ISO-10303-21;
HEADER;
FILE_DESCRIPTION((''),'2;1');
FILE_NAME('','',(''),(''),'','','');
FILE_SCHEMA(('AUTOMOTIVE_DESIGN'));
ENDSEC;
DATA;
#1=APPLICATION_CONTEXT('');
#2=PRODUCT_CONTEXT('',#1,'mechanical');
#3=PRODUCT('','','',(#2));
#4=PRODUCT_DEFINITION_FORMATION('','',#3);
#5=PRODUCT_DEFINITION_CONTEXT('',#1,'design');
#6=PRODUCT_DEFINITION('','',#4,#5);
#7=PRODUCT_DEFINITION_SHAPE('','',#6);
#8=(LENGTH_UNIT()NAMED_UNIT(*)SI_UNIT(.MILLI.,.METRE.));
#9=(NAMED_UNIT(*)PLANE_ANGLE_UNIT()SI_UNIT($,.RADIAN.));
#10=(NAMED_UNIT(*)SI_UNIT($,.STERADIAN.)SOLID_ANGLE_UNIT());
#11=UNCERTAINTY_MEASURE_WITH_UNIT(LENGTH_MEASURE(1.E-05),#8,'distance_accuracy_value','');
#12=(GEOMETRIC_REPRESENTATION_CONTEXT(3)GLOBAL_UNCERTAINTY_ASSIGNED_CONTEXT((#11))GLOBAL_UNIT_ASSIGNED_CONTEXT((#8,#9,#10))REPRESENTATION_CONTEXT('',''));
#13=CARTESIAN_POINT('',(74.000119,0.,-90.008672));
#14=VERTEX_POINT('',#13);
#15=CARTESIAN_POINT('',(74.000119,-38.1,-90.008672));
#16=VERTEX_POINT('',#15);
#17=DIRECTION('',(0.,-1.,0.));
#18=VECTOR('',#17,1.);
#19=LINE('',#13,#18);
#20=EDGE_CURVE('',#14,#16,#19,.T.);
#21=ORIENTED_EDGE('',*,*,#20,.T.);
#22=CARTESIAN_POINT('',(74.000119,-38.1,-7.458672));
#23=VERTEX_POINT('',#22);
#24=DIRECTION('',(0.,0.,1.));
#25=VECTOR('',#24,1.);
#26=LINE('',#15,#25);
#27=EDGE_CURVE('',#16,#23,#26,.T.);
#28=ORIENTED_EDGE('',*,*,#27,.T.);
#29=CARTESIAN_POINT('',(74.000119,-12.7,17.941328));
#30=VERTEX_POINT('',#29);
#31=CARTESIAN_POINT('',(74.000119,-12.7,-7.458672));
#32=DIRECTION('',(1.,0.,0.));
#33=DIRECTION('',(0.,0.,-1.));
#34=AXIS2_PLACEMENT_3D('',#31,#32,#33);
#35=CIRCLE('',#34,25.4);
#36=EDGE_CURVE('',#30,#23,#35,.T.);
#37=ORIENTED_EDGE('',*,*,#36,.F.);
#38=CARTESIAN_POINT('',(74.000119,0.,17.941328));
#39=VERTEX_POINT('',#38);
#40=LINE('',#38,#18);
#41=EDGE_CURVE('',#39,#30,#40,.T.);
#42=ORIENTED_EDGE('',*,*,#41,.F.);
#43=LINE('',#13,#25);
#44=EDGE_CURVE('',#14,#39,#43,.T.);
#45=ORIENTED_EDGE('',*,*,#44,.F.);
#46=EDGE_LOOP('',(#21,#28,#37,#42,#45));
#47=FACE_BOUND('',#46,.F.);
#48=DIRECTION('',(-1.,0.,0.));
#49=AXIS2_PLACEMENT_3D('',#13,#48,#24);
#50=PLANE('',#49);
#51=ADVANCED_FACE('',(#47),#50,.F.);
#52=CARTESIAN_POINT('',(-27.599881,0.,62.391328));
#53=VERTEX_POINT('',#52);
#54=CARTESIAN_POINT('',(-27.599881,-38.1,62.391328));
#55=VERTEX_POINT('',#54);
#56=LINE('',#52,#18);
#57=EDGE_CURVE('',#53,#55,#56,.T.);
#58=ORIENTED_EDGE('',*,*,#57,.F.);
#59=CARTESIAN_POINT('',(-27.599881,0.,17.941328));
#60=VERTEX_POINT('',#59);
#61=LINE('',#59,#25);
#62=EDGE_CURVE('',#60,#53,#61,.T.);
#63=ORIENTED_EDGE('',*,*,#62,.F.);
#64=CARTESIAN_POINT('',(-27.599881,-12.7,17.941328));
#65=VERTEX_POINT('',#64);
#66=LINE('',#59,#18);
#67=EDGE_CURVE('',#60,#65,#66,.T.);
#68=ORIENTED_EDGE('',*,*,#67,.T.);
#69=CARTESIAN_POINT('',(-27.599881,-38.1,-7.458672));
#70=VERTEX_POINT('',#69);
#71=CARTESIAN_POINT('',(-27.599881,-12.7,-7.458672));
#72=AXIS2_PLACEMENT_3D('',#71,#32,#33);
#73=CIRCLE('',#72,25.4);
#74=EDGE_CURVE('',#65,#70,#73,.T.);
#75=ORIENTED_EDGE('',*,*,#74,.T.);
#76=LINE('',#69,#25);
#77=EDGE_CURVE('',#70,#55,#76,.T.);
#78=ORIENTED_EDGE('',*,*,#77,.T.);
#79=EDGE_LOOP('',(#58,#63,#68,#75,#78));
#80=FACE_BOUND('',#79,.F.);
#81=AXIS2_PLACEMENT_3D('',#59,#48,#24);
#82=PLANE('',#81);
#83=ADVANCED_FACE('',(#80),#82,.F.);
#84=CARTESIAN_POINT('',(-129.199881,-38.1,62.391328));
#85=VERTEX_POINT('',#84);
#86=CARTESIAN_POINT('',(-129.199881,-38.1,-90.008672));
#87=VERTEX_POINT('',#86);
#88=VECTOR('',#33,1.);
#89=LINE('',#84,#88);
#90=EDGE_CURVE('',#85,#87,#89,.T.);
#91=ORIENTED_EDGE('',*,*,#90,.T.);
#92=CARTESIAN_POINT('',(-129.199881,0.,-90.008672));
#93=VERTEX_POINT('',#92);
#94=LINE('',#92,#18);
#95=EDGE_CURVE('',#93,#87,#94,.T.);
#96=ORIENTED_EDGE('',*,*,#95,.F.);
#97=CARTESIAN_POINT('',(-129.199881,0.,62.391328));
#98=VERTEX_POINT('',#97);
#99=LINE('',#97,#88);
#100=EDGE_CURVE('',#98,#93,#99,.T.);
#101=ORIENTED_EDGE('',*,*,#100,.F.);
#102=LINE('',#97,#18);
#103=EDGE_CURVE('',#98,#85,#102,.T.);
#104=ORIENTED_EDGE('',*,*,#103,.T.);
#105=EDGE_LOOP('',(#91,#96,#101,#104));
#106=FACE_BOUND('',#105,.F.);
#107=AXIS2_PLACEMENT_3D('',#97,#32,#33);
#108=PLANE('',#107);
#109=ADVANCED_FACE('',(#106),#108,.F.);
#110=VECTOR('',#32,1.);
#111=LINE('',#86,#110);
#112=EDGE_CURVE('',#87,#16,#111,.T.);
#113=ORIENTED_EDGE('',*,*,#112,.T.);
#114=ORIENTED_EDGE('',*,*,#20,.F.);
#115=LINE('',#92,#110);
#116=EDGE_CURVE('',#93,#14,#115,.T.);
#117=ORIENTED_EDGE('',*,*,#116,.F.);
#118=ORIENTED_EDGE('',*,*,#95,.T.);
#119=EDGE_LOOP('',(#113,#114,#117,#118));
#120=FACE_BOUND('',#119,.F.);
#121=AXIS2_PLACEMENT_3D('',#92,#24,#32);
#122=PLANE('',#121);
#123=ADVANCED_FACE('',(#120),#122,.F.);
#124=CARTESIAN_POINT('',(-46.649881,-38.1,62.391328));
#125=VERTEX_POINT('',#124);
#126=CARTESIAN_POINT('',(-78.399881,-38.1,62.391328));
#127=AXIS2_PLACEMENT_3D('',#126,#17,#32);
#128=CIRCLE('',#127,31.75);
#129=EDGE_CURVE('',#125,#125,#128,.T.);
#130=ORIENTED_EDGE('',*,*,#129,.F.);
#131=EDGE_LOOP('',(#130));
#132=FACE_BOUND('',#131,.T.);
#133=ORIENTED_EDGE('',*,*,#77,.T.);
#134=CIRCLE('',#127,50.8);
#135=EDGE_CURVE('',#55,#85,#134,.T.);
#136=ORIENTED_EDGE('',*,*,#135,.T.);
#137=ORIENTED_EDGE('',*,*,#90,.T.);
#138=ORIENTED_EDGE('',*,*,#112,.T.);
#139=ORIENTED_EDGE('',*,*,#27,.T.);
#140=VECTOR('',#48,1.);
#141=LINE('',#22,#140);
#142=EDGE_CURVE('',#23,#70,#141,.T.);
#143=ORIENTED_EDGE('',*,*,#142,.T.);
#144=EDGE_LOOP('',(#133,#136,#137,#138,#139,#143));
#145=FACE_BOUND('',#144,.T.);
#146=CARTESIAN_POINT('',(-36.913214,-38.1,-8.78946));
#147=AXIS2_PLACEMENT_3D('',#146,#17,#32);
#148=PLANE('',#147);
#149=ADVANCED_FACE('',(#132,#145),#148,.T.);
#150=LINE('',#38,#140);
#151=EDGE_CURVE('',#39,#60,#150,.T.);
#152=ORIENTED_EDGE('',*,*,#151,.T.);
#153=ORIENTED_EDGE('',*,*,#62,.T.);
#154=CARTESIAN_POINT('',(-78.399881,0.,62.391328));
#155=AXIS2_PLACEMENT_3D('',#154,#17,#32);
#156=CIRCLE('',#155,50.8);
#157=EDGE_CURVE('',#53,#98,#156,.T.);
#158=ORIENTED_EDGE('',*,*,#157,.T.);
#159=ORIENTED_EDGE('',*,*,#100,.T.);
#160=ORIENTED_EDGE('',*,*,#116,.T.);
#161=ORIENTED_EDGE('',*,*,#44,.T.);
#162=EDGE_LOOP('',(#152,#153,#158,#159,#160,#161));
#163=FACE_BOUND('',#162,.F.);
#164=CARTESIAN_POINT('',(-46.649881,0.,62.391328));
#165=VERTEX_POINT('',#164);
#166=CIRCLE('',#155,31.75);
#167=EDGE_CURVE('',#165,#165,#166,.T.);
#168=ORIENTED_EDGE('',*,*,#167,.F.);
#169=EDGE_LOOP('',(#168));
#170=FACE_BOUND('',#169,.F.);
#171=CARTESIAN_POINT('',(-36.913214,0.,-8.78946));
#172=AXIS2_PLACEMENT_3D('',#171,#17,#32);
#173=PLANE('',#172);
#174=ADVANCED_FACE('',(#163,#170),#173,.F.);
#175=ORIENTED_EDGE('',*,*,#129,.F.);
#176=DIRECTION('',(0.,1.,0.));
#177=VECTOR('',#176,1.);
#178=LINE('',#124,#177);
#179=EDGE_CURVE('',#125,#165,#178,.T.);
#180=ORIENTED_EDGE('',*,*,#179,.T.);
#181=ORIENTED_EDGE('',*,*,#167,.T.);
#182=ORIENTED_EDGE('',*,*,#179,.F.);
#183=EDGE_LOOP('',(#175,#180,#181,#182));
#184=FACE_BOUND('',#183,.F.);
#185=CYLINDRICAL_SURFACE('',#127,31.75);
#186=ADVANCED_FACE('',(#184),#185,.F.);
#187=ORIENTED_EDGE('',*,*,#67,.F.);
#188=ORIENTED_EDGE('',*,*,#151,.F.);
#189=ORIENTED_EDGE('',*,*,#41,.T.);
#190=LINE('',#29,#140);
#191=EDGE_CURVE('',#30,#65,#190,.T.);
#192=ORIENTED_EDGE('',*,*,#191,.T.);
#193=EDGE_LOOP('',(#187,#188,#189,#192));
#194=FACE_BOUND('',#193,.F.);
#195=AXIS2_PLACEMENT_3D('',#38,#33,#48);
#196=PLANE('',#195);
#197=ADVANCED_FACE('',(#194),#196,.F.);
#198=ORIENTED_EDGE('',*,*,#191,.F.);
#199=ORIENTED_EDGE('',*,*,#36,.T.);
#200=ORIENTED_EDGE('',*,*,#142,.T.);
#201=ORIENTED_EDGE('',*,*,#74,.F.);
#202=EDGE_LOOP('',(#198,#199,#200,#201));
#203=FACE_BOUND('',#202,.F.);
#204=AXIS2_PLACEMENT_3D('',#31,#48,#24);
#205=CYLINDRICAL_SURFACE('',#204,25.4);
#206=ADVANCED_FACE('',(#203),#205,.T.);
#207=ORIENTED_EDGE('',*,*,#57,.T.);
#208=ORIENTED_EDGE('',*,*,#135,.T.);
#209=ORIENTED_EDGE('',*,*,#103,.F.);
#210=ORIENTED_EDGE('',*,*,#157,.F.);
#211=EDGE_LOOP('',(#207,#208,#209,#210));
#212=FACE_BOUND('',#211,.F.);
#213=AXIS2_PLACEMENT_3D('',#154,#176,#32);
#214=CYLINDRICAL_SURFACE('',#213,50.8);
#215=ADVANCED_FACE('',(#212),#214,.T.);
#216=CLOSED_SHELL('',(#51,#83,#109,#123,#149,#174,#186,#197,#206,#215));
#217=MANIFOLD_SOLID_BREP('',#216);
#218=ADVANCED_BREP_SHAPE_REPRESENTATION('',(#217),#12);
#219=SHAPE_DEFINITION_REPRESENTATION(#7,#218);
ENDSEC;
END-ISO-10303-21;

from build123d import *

# Parameters (mm, degrees)
F1_DEPTH = 38.1
F2_R     = 25.4
F3_R     = 31.75
F4_DEPTH = 50.8


with BuildPart() as f1:
    # F0 (on Front) → F1 (new body)
    with BuildSketch(Plane.XZ):
        with BuildLine():
            ThreePointArc((-27.599881, 62.391328), (-78.399881, 113.191328), (-129.199881, 62.391328))
            Line((-129.199881, 62.391328), (-129.199881, -90.008672))
            Line((-129.199881, -90.008672), (74.000119, -90.008672))
            Line((74.000119, -90.008672), (74.000119, 17.941328))
            Line((74.000119, 17.941328), (-27.599881, 17.941328))
            Line((-27.599881, 17.941328), (-27.599881, 62.391328))
        make_face()
    extrude(amount=F1_DEPTH)

    # F2
    f2_edges = [f1.edges().sort_by_distance(p)[0] for p in [
        (23.200119, -38.1, 17.941328),
    ]]
    fillet(f2_edges, radius=F2_R)

    # F3 (on face) → F4 (cut)
    with BuildSketch(Plane.XZ.offset(38.1)):
        with Locations((-78.399881, 62.391328)):
            Circle(F3_R)
    extrude(amount=-F4_DEPTH, mode=Mode.SUBTRACT)


solid = f1.part
